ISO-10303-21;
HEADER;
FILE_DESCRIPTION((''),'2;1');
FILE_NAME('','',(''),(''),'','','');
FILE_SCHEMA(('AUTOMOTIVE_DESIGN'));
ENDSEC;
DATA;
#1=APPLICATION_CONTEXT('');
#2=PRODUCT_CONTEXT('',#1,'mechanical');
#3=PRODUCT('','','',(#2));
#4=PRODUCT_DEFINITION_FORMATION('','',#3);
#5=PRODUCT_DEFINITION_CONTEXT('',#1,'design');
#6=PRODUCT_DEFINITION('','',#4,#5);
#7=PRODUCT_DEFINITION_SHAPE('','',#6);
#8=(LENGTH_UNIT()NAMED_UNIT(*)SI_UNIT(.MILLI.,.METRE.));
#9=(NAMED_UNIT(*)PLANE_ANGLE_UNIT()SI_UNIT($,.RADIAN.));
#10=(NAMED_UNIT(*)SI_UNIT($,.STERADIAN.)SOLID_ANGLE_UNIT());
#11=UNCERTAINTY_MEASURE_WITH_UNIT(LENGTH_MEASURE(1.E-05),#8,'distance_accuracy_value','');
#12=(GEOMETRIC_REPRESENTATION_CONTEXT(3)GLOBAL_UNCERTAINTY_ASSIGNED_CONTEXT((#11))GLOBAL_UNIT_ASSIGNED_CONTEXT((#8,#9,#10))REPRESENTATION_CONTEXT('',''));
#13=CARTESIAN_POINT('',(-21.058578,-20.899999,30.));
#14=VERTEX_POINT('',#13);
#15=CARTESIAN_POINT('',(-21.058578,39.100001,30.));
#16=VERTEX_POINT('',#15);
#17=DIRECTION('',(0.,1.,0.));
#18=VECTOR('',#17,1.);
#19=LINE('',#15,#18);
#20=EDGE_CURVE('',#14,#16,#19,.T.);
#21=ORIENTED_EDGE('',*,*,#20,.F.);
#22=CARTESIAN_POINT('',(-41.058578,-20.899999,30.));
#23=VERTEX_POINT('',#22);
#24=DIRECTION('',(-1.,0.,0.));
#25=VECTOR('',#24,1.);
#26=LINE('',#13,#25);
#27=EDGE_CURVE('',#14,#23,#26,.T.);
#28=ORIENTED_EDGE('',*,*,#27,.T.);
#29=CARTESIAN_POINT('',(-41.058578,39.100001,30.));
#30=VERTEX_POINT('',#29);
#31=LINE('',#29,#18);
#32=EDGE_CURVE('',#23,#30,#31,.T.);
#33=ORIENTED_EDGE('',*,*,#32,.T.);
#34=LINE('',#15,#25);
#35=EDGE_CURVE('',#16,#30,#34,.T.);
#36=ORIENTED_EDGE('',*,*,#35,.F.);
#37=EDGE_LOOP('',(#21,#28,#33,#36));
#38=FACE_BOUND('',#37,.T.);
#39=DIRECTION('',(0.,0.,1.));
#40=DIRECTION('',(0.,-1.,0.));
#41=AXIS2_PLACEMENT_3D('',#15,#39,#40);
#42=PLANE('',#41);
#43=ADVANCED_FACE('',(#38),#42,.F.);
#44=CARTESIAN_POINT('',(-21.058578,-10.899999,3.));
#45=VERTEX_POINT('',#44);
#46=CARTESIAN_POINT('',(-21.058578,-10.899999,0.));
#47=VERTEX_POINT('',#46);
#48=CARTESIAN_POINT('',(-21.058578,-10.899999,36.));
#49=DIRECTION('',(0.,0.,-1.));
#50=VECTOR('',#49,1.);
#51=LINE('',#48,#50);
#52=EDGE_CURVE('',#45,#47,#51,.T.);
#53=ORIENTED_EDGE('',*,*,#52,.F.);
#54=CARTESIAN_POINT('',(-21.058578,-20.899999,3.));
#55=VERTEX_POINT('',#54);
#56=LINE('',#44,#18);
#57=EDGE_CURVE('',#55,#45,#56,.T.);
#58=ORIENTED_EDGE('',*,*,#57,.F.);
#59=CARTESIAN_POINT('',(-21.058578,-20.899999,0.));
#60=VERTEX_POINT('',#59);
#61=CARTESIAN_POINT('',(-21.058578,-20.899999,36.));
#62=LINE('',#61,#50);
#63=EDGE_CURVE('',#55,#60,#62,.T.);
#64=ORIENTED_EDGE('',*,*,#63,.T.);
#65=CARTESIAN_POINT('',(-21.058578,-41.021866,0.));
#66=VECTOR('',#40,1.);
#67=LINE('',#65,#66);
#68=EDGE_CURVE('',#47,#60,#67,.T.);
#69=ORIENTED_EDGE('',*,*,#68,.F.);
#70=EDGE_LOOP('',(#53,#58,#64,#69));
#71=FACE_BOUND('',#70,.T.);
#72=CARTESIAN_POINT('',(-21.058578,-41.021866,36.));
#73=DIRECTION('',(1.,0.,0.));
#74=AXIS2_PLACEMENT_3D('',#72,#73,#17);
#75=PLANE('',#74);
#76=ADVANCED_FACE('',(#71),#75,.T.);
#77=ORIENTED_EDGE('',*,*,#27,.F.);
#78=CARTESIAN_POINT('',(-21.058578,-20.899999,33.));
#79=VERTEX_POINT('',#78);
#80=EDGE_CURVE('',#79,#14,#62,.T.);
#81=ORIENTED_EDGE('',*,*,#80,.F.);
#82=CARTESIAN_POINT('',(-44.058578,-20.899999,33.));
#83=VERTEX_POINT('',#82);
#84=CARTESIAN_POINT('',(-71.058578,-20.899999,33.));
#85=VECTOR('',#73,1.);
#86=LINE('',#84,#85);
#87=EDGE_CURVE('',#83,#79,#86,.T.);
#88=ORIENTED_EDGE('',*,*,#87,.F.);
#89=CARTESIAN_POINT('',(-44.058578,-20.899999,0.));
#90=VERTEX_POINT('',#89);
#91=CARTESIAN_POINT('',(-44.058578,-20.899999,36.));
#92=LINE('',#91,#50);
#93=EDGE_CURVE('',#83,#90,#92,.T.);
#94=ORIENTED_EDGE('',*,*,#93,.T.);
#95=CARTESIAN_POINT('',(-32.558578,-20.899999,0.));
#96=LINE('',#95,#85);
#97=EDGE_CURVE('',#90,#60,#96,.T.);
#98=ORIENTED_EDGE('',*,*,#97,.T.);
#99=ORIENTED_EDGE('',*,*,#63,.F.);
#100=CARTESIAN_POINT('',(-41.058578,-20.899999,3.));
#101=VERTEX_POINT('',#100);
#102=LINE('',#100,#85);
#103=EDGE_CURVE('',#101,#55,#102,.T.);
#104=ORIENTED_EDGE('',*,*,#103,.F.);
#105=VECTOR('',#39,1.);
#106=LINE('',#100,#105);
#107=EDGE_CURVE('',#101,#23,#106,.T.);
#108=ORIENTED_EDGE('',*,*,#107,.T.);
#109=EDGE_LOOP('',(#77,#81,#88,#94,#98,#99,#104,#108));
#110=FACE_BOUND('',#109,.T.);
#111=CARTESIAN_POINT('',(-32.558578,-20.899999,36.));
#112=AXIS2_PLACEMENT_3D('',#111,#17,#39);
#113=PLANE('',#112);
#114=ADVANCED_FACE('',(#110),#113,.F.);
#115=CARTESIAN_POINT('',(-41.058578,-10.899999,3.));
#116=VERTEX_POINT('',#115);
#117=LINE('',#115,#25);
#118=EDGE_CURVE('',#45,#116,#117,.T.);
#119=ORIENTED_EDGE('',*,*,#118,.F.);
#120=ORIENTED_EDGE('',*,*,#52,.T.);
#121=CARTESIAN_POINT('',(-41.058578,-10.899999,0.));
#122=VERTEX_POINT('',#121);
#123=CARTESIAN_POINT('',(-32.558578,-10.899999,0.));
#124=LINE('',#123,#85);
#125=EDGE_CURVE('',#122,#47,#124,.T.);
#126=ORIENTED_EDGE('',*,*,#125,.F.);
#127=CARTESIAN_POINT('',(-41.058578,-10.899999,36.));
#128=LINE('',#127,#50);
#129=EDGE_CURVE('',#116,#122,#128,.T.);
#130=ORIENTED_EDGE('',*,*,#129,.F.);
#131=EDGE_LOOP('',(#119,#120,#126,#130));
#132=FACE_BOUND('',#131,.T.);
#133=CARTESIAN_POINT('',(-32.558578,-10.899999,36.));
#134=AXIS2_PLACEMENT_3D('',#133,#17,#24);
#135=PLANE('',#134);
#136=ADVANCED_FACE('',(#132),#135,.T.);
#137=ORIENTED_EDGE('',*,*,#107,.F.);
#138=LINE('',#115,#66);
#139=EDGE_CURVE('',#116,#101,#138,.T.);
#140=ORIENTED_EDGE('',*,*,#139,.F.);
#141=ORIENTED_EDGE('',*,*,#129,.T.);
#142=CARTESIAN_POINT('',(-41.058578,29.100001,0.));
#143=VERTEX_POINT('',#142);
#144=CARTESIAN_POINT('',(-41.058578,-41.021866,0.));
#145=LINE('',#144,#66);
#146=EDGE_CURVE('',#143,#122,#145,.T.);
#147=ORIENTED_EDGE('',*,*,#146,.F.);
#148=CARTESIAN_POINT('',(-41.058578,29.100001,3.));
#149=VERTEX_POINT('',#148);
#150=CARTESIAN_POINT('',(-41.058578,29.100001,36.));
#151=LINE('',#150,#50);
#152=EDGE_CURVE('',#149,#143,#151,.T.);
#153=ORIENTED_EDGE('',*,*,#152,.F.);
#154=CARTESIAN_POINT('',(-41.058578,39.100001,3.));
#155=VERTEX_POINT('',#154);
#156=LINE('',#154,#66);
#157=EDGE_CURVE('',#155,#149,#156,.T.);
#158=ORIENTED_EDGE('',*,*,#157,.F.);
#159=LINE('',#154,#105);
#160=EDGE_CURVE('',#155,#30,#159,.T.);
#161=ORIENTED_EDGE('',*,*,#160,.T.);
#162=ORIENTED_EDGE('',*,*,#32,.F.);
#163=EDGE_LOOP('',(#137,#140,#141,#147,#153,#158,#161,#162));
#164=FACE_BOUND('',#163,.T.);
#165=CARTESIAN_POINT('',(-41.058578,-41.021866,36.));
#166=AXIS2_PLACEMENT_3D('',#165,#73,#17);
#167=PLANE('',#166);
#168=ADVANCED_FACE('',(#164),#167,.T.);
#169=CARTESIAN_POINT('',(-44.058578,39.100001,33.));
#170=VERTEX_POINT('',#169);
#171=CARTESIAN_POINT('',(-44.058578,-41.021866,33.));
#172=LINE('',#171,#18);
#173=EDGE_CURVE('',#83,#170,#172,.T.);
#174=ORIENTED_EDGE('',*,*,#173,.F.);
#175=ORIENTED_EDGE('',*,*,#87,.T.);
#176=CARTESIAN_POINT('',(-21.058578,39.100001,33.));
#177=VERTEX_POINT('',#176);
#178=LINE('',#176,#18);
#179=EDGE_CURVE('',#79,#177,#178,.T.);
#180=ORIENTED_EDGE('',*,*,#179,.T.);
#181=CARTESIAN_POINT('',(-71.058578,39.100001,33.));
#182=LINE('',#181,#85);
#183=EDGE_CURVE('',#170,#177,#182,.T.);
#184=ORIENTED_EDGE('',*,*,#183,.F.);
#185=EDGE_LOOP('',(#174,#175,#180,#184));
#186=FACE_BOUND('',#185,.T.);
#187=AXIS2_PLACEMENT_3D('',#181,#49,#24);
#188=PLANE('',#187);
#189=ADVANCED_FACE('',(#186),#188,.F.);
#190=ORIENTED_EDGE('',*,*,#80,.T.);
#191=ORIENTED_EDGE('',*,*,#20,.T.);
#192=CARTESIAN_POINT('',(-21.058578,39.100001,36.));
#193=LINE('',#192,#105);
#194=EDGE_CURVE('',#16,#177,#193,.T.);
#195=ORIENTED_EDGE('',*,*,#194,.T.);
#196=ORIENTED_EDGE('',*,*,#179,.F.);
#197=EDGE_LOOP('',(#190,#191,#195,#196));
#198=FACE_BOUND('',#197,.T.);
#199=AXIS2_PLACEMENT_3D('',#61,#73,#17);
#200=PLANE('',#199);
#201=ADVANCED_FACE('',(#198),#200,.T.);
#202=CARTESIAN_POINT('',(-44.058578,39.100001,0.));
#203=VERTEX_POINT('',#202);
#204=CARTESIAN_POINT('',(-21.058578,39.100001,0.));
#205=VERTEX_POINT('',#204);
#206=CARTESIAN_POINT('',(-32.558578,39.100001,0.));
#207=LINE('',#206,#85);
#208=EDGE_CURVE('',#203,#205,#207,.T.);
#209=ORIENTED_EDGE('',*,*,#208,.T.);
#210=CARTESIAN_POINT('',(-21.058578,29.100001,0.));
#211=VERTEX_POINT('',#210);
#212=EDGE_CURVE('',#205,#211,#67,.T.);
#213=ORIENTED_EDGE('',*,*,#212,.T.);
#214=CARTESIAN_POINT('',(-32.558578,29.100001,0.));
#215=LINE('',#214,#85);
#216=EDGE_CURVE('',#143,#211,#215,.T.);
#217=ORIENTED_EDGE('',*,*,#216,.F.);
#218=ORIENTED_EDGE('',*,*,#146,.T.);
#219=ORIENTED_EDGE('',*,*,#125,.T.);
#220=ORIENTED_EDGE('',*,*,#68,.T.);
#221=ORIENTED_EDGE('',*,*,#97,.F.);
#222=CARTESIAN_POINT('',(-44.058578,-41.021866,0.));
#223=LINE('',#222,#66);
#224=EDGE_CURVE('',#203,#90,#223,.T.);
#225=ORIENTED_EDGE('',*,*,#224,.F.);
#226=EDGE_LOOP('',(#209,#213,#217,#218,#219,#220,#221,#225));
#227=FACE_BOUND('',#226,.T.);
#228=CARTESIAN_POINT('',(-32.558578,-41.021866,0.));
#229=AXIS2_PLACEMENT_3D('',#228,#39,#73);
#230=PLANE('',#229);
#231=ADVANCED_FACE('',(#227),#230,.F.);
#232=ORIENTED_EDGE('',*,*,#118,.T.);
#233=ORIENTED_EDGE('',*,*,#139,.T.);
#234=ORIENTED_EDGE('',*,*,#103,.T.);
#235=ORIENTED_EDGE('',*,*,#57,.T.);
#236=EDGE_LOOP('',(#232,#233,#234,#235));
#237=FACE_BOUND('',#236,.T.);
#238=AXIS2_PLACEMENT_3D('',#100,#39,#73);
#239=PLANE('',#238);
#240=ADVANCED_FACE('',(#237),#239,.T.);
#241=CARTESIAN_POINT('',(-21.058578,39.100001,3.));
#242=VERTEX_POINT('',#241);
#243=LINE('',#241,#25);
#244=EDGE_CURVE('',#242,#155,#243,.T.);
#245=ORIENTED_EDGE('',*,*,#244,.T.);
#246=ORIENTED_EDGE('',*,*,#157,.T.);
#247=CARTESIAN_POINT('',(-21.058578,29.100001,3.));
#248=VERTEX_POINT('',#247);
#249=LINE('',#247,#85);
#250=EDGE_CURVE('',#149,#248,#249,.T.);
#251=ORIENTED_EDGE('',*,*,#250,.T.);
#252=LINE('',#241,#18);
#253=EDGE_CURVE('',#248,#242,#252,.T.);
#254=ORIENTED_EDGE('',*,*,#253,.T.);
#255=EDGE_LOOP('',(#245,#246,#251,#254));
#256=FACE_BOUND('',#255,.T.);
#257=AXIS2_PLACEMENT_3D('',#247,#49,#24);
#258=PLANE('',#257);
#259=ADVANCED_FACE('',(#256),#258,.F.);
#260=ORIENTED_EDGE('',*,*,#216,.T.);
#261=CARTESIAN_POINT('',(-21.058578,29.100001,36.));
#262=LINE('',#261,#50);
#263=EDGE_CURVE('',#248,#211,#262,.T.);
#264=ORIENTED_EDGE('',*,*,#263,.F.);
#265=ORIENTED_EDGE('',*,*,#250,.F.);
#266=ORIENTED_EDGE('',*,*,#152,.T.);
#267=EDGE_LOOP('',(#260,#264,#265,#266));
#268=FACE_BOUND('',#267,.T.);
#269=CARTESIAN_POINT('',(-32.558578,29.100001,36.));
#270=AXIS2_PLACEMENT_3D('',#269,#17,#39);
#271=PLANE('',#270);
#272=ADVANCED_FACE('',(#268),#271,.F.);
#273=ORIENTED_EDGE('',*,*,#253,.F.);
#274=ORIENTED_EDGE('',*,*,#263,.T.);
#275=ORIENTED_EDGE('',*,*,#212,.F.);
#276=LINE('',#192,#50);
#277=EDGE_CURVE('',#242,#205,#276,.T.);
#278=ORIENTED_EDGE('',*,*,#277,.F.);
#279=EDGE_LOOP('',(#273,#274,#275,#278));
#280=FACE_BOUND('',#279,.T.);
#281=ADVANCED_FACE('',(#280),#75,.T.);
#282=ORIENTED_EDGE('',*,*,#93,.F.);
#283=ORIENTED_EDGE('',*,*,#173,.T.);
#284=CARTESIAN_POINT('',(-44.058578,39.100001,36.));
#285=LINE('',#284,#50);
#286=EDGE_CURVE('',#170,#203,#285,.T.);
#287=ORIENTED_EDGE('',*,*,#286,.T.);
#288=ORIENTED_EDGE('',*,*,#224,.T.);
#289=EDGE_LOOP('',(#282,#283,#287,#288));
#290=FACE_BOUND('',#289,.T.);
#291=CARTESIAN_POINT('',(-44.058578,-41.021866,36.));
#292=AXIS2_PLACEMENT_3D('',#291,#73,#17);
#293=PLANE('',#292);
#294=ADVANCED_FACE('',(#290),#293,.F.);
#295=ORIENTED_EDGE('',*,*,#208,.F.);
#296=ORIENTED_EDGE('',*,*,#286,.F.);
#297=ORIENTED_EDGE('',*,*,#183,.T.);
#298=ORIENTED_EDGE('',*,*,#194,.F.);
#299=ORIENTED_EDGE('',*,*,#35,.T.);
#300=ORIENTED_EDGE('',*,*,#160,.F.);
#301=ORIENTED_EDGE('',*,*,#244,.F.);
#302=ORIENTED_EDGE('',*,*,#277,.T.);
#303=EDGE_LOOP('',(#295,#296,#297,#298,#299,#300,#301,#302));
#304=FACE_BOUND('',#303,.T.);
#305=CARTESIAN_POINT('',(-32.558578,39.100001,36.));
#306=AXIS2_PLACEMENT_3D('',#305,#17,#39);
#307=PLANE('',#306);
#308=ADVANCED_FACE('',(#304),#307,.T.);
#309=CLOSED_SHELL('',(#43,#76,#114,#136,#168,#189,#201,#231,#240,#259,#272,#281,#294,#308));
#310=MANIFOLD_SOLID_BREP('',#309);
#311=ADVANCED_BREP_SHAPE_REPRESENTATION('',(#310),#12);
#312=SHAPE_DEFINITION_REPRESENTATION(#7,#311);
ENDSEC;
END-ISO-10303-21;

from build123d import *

# Parameters (mm, degrees)
BOSS_EXTRU_1_DEPTH      = 36
ESQUISSE2_W             = 20
ESQUISSE2_H             = 10
ENL_V_MAT_EXTRU_1_DEPTH = 33
ESQUISSE3_W             = 20
ESQUISSE3_H             = 10
ENL_V_MAT_EXTRU_2_DEPTH = 33
ESQUISSE5_W             = 6
ESQUISSE5_H             = 60
BOSS_EXTRU_3_DEPTH      = 20
ESQUISSE6_W             = 3
ESQUISSE6_H             = 60
ENL_V_MAT_EXTRU_3_DEPTH = 50


with BuildPart() as part:
    # Esquisse1 → Boss.-Extru.1 (new body)
    with BuildSketch(Plane.XY):
        Polygon((-21.058577834, 39.100001216), (-44.058577834, 39.100001216), (-44.058577834, -20.899998784), (-21.058577834, -20.899998784), (-21.058577834, -10.899998784), (-41.058577834, -10.899998784), (-41.058577834, 29.100001216), (-21.058577834, 29.100001216), align=None)
    extrude(amount=BOSS_EXTRU_1_DEPTH)

    # Esquisse2 → Enlèv. mat.-Extru.1 (cut)
    with BuildSketch(Plane.XY.offset(36)):
        with Locations((-31.058577834, 34.100001216)):
            Rectangle(ESQUISSE2_W, ESQUISSE2_H)
    extrude(amount=-ENL_V_MAT_EXTRU_1_DEPTH, mode=Mode.SUBTRACT)

    # Esquisse3 → Enlèv. mat.-Extru.2 (cut)
    with BuildSketch(Plane.XY.offset(36)):
        with Locations((-31.058577834, -15.899998784)):
            Rectangle(ESQUISSE3_W, ESQUISSE3_H)
    extrude(amount=-ENL_V_MAT_EXTRU_2_DEPTH, mode=Mode.SUBTRACT)

    # Esquisse5 → Boss.-Extru.3 (add)
    with BuildSketch(Plane(origin=(-41.058577834, 0, 0), x_dir=(0, 0, -1), z_dir=(1, 0, 0))):
        with Locations((-33, 9.100001216)):
            Rectangle(ESQUISSE5_W, ESQUISSE5_H)
    extrude(amount=BOSS_EXTRU_3_DEPTH)

    # Esquisse6 → Enlèv. mat.-Extru.3 (cut)
    with BuildSketch(Plane(origin=(-21.058577834, 0, 0), x_dir=(0, 0, -1), z_dir=(1, 0, 0))):
        with Locations((-34.5, 9.100001216)):
            Rectangle(ESQUISSE6_W, ESQUISSE6_H)
    extrude(amount=-ENL_V_MAT_EXTRU_3_DEPTH, mode=Mode.SUBTRACT)


solid = part.part
